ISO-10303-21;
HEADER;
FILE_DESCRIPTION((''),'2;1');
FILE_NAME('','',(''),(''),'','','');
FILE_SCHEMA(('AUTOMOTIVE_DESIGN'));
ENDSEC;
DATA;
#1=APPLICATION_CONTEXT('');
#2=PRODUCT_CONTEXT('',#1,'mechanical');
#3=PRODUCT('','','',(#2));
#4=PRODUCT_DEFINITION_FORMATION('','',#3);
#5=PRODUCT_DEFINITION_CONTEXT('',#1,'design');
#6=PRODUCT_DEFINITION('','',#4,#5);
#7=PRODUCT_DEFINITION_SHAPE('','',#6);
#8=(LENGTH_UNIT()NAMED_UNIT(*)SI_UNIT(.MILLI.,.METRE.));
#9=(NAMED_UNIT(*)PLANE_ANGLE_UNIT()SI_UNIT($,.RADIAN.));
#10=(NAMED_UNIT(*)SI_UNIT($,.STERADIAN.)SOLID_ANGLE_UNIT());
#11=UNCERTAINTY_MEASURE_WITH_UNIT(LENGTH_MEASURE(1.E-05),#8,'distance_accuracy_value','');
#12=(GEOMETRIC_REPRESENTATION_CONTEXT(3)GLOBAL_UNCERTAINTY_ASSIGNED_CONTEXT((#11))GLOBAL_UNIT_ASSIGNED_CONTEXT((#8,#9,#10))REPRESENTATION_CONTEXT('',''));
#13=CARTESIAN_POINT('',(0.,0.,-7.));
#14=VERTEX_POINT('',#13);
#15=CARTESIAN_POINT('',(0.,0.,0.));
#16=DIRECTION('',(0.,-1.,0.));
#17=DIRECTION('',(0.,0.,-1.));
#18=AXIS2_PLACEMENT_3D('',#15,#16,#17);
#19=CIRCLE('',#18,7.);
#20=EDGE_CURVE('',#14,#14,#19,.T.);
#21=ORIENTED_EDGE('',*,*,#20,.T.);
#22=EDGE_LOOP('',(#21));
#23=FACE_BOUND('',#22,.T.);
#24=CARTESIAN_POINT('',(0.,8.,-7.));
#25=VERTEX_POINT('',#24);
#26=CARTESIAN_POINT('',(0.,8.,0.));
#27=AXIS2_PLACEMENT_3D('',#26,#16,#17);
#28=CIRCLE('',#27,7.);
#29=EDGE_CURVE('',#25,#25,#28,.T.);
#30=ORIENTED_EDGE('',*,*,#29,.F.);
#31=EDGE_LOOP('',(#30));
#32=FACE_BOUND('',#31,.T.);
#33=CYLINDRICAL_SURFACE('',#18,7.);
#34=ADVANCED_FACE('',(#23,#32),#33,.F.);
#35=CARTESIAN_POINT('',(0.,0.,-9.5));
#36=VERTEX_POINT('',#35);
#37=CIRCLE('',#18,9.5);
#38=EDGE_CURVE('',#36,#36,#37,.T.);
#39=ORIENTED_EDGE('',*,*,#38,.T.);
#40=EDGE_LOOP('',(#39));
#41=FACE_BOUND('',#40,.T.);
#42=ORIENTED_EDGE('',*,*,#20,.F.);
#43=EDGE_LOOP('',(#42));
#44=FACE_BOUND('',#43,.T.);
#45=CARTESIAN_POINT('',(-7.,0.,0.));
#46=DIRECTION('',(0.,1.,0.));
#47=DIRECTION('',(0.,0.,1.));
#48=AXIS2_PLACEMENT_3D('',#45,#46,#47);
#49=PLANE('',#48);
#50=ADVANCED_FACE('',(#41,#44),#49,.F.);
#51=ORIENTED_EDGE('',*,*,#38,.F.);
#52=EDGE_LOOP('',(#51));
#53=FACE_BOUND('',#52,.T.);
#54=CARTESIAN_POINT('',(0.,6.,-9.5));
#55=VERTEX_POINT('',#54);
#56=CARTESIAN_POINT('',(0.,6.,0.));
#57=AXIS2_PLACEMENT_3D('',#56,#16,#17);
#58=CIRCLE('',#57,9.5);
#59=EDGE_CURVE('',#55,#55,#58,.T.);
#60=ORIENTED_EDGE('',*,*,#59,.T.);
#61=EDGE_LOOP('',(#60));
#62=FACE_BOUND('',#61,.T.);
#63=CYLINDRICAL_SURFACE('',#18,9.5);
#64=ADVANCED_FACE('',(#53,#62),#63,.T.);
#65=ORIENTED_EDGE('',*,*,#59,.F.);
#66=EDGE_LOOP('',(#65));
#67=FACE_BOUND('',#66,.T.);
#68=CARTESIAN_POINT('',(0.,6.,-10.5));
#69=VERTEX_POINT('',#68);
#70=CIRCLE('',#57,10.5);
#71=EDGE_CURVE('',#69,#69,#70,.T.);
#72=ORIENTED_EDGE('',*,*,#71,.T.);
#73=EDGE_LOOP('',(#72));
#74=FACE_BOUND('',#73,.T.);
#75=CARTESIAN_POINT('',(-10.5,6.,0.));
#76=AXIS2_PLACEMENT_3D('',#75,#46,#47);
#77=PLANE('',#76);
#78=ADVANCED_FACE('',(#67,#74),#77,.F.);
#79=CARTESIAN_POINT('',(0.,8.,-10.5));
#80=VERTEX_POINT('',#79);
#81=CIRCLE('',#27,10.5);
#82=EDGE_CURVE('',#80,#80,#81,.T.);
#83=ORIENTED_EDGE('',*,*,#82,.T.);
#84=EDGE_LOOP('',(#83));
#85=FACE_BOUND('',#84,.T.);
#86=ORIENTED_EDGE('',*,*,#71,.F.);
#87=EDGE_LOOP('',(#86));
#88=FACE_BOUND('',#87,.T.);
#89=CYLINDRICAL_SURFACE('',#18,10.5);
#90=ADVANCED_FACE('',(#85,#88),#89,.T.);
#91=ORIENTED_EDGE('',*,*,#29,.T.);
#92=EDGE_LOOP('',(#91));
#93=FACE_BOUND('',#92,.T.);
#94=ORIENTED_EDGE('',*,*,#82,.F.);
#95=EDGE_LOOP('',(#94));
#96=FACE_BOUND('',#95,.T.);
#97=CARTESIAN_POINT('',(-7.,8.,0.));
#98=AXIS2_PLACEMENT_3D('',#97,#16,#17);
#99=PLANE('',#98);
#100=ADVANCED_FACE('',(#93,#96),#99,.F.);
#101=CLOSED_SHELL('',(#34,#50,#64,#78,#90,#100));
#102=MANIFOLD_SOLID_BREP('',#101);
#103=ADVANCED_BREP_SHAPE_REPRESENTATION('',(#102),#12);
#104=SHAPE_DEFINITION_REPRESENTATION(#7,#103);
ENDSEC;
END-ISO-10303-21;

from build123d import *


with BuildPart() as part:
    # Sketch1 → Revolve1 (revolve)
    with BuildSketch(Plane.XY, mode=Mode.PRIVATE) as revolve1_sk:
        Polygon((-7, 0), (-9.5, 0), (-9.5, 6), (-10.5, 6), (-10.5, 8), (-7, 8), align=None)
    revolve(revolve1_sk.sketch.rotate(Axis((0, 0, 0), (0, 1, 0)), 270), axis=Axis((0, 0, 0), (0, 1, 0)))


solid = part.part
